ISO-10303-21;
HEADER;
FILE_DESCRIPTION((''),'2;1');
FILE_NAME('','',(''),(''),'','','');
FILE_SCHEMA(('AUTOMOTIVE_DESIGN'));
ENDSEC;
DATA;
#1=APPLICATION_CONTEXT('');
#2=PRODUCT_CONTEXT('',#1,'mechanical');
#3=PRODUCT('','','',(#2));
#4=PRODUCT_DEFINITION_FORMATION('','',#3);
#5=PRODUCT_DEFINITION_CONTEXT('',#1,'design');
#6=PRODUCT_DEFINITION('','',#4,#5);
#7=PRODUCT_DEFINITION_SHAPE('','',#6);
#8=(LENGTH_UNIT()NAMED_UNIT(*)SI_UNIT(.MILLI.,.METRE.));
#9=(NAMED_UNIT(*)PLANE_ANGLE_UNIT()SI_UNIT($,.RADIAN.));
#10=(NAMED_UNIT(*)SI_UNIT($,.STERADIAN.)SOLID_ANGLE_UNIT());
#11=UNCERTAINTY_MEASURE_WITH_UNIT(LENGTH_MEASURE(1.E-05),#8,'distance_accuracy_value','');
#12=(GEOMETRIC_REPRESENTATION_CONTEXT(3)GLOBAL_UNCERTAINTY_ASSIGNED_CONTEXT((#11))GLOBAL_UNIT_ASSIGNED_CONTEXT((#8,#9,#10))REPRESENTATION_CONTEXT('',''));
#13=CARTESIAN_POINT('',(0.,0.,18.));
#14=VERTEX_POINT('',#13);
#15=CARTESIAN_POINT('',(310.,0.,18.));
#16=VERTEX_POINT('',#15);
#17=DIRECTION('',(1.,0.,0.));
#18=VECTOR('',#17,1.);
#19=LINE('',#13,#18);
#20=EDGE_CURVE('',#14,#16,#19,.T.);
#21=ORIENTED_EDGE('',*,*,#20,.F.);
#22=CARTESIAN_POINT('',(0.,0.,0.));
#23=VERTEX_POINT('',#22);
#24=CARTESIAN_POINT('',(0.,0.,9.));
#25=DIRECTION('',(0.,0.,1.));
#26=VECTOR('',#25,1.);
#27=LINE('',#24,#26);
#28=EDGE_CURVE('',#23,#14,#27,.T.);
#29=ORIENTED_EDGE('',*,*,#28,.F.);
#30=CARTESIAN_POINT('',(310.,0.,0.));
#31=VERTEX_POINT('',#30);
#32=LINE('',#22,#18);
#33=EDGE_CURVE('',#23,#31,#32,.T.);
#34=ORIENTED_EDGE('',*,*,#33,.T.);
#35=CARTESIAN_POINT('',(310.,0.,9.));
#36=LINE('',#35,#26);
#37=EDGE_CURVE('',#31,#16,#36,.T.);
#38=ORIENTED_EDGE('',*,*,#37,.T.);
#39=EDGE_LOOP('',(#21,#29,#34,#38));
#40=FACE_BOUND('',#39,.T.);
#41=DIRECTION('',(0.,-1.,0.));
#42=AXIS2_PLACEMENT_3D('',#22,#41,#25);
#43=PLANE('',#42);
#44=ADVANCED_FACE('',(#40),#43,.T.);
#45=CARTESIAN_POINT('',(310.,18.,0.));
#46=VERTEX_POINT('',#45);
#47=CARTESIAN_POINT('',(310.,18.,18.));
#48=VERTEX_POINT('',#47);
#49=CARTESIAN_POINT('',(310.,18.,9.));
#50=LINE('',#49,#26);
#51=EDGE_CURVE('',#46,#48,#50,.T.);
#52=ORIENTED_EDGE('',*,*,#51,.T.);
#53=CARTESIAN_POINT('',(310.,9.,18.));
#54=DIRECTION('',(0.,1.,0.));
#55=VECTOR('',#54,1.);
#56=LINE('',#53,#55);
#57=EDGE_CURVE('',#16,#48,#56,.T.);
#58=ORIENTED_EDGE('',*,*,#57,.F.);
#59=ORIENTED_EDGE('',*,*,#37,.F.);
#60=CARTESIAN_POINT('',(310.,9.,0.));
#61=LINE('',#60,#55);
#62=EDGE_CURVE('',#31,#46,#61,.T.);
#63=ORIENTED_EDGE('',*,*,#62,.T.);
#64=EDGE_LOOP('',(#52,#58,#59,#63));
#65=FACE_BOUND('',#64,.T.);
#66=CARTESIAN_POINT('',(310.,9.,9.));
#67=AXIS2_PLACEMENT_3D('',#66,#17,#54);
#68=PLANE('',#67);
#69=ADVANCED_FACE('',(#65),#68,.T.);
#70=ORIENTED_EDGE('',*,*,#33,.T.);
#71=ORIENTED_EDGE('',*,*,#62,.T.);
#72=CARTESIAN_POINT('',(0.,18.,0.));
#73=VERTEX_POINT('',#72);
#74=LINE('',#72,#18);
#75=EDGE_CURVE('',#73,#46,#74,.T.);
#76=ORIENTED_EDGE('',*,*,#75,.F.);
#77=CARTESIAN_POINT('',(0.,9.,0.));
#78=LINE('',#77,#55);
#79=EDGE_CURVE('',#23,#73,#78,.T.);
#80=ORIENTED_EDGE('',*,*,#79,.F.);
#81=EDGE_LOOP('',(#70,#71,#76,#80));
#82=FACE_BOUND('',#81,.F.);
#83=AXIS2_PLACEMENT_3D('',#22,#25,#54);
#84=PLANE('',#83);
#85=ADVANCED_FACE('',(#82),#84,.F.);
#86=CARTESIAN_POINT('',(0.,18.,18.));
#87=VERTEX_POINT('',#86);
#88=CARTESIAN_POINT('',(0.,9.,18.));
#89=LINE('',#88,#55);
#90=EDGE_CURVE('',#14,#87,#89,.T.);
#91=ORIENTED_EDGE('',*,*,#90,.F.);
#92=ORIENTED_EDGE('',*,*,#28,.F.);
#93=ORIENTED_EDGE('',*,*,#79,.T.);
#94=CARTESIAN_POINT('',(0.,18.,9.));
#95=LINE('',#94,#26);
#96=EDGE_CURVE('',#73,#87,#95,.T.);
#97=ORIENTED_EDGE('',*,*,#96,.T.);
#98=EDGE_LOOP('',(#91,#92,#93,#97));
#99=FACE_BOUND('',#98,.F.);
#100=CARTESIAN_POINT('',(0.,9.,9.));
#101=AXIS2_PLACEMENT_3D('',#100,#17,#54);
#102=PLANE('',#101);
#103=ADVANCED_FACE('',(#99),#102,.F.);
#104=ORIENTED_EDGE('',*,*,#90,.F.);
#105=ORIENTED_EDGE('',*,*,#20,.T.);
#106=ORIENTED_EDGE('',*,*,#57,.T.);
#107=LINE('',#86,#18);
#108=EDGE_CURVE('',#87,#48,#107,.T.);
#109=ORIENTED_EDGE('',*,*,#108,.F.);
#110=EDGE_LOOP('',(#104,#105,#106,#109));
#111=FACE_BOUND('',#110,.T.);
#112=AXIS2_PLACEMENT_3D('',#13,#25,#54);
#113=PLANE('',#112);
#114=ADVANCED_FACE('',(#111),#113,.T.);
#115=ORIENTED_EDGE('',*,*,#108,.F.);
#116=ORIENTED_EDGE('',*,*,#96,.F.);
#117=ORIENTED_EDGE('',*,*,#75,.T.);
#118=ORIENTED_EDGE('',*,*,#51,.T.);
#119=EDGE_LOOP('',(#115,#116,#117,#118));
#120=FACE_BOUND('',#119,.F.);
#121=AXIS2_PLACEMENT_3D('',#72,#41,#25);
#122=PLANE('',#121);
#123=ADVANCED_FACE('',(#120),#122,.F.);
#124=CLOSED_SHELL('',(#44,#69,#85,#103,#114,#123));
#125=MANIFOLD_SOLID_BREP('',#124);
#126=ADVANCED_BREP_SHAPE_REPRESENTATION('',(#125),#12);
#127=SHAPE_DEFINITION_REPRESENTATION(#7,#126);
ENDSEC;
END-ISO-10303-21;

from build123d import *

# Parameters (mm, degrees)
SKETCH_W  = 18
SKETCH_H  = 18
PAD_DEPTH = 310


with BuildPart() as part:
    # Sketch → Pad (new body)
    with BuildSketch(Plane.YZ):
        with Locations((9, 9)):
            Rectangle(SKETCH_W, SKETCH_H)
    extrude(amount=PAD_DEPTH)


solid = part.part
